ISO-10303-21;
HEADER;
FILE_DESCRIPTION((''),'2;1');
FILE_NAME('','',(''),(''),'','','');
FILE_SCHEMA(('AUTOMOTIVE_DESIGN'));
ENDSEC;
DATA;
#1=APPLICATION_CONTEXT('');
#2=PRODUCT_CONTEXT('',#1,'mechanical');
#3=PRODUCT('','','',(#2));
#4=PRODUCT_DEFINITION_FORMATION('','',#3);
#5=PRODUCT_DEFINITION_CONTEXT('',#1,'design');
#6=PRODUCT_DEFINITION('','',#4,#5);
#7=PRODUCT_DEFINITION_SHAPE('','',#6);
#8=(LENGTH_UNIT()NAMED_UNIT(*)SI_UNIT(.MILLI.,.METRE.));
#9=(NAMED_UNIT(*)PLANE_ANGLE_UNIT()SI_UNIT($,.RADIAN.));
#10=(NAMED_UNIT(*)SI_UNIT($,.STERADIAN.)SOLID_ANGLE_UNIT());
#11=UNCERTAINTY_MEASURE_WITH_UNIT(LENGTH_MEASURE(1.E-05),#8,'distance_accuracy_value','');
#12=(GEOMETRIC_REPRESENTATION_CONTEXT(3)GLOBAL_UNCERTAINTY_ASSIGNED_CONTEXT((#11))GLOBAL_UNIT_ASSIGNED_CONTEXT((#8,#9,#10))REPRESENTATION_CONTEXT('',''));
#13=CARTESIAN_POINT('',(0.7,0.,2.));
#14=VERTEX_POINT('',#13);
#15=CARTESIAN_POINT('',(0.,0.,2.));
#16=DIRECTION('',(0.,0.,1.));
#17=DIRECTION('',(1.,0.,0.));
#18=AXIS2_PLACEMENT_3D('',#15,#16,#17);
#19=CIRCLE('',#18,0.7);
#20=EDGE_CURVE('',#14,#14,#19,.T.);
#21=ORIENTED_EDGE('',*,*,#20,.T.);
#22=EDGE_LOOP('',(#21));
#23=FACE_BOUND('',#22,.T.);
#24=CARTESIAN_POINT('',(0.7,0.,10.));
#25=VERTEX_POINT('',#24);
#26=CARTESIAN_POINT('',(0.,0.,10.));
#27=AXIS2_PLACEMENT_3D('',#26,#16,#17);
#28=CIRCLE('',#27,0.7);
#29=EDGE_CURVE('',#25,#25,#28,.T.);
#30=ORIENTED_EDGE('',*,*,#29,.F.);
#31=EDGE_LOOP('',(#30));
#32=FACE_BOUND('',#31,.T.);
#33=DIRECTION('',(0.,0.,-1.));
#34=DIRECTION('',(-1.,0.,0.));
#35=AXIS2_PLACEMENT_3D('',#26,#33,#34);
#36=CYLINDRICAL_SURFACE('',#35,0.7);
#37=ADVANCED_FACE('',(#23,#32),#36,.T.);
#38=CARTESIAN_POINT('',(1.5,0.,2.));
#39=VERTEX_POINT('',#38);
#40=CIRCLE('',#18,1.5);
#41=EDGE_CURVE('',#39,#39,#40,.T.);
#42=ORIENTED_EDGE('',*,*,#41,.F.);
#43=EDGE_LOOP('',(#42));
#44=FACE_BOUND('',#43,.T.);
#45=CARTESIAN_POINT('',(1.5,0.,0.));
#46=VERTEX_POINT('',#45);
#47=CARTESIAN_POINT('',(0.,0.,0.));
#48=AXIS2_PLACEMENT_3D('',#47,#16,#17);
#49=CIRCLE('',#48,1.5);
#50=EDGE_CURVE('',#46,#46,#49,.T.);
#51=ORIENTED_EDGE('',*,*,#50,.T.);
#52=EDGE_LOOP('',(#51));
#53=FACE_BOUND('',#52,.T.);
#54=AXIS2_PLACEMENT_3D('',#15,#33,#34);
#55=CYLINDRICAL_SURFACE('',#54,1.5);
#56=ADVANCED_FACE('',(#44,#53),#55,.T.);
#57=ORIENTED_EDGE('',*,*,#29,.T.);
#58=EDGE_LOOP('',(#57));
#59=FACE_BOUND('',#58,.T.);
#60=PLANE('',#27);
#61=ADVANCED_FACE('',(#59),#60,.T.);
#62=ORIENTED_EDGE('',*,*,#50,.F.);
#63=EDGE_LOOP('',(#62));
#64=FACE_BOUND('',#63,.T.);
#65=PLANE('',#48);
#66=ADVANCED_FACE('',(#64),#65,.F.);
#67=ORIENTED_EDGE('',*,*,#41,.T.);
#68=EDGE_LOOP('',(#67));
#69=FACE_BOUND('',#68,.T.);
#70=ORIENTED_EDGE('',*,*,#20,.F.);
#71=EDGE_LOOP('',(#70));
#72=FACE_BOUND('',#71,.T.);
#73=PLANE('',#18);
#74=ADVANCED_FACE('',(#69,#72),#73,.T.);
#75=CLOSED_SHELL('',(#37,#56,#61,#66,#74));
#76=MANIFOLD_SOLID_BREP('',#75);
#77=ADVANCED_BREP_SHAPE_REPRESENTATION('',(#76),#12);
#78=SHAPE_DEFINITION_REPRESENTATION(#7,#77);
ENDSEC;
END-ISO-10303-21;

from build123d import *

# Parameters (mm, degrees)
SKETCH_1_R      = 0.7
EXTRUDE_1_DEPTH = 10
SKETCH_2_R      = 1.5
EXTRUDE_2_DEPTH = 2


with BuildPart() as part:
    # 草圖1 → 填料-伸長1 (new body)
    with BuildSketch(Plane.XY):
        Circle(SKETCH_1_R)
    extrude(amount=EXTRUDE_1_DEPTH)

    # 草圖2 → 填料-伸長2 (add)
    with BuildSketch(Plane.XY):
        Circle(SKETCH_2_R)
    extrude(amount=EXTRUDE_2_DEPTH)


solid = part.part
